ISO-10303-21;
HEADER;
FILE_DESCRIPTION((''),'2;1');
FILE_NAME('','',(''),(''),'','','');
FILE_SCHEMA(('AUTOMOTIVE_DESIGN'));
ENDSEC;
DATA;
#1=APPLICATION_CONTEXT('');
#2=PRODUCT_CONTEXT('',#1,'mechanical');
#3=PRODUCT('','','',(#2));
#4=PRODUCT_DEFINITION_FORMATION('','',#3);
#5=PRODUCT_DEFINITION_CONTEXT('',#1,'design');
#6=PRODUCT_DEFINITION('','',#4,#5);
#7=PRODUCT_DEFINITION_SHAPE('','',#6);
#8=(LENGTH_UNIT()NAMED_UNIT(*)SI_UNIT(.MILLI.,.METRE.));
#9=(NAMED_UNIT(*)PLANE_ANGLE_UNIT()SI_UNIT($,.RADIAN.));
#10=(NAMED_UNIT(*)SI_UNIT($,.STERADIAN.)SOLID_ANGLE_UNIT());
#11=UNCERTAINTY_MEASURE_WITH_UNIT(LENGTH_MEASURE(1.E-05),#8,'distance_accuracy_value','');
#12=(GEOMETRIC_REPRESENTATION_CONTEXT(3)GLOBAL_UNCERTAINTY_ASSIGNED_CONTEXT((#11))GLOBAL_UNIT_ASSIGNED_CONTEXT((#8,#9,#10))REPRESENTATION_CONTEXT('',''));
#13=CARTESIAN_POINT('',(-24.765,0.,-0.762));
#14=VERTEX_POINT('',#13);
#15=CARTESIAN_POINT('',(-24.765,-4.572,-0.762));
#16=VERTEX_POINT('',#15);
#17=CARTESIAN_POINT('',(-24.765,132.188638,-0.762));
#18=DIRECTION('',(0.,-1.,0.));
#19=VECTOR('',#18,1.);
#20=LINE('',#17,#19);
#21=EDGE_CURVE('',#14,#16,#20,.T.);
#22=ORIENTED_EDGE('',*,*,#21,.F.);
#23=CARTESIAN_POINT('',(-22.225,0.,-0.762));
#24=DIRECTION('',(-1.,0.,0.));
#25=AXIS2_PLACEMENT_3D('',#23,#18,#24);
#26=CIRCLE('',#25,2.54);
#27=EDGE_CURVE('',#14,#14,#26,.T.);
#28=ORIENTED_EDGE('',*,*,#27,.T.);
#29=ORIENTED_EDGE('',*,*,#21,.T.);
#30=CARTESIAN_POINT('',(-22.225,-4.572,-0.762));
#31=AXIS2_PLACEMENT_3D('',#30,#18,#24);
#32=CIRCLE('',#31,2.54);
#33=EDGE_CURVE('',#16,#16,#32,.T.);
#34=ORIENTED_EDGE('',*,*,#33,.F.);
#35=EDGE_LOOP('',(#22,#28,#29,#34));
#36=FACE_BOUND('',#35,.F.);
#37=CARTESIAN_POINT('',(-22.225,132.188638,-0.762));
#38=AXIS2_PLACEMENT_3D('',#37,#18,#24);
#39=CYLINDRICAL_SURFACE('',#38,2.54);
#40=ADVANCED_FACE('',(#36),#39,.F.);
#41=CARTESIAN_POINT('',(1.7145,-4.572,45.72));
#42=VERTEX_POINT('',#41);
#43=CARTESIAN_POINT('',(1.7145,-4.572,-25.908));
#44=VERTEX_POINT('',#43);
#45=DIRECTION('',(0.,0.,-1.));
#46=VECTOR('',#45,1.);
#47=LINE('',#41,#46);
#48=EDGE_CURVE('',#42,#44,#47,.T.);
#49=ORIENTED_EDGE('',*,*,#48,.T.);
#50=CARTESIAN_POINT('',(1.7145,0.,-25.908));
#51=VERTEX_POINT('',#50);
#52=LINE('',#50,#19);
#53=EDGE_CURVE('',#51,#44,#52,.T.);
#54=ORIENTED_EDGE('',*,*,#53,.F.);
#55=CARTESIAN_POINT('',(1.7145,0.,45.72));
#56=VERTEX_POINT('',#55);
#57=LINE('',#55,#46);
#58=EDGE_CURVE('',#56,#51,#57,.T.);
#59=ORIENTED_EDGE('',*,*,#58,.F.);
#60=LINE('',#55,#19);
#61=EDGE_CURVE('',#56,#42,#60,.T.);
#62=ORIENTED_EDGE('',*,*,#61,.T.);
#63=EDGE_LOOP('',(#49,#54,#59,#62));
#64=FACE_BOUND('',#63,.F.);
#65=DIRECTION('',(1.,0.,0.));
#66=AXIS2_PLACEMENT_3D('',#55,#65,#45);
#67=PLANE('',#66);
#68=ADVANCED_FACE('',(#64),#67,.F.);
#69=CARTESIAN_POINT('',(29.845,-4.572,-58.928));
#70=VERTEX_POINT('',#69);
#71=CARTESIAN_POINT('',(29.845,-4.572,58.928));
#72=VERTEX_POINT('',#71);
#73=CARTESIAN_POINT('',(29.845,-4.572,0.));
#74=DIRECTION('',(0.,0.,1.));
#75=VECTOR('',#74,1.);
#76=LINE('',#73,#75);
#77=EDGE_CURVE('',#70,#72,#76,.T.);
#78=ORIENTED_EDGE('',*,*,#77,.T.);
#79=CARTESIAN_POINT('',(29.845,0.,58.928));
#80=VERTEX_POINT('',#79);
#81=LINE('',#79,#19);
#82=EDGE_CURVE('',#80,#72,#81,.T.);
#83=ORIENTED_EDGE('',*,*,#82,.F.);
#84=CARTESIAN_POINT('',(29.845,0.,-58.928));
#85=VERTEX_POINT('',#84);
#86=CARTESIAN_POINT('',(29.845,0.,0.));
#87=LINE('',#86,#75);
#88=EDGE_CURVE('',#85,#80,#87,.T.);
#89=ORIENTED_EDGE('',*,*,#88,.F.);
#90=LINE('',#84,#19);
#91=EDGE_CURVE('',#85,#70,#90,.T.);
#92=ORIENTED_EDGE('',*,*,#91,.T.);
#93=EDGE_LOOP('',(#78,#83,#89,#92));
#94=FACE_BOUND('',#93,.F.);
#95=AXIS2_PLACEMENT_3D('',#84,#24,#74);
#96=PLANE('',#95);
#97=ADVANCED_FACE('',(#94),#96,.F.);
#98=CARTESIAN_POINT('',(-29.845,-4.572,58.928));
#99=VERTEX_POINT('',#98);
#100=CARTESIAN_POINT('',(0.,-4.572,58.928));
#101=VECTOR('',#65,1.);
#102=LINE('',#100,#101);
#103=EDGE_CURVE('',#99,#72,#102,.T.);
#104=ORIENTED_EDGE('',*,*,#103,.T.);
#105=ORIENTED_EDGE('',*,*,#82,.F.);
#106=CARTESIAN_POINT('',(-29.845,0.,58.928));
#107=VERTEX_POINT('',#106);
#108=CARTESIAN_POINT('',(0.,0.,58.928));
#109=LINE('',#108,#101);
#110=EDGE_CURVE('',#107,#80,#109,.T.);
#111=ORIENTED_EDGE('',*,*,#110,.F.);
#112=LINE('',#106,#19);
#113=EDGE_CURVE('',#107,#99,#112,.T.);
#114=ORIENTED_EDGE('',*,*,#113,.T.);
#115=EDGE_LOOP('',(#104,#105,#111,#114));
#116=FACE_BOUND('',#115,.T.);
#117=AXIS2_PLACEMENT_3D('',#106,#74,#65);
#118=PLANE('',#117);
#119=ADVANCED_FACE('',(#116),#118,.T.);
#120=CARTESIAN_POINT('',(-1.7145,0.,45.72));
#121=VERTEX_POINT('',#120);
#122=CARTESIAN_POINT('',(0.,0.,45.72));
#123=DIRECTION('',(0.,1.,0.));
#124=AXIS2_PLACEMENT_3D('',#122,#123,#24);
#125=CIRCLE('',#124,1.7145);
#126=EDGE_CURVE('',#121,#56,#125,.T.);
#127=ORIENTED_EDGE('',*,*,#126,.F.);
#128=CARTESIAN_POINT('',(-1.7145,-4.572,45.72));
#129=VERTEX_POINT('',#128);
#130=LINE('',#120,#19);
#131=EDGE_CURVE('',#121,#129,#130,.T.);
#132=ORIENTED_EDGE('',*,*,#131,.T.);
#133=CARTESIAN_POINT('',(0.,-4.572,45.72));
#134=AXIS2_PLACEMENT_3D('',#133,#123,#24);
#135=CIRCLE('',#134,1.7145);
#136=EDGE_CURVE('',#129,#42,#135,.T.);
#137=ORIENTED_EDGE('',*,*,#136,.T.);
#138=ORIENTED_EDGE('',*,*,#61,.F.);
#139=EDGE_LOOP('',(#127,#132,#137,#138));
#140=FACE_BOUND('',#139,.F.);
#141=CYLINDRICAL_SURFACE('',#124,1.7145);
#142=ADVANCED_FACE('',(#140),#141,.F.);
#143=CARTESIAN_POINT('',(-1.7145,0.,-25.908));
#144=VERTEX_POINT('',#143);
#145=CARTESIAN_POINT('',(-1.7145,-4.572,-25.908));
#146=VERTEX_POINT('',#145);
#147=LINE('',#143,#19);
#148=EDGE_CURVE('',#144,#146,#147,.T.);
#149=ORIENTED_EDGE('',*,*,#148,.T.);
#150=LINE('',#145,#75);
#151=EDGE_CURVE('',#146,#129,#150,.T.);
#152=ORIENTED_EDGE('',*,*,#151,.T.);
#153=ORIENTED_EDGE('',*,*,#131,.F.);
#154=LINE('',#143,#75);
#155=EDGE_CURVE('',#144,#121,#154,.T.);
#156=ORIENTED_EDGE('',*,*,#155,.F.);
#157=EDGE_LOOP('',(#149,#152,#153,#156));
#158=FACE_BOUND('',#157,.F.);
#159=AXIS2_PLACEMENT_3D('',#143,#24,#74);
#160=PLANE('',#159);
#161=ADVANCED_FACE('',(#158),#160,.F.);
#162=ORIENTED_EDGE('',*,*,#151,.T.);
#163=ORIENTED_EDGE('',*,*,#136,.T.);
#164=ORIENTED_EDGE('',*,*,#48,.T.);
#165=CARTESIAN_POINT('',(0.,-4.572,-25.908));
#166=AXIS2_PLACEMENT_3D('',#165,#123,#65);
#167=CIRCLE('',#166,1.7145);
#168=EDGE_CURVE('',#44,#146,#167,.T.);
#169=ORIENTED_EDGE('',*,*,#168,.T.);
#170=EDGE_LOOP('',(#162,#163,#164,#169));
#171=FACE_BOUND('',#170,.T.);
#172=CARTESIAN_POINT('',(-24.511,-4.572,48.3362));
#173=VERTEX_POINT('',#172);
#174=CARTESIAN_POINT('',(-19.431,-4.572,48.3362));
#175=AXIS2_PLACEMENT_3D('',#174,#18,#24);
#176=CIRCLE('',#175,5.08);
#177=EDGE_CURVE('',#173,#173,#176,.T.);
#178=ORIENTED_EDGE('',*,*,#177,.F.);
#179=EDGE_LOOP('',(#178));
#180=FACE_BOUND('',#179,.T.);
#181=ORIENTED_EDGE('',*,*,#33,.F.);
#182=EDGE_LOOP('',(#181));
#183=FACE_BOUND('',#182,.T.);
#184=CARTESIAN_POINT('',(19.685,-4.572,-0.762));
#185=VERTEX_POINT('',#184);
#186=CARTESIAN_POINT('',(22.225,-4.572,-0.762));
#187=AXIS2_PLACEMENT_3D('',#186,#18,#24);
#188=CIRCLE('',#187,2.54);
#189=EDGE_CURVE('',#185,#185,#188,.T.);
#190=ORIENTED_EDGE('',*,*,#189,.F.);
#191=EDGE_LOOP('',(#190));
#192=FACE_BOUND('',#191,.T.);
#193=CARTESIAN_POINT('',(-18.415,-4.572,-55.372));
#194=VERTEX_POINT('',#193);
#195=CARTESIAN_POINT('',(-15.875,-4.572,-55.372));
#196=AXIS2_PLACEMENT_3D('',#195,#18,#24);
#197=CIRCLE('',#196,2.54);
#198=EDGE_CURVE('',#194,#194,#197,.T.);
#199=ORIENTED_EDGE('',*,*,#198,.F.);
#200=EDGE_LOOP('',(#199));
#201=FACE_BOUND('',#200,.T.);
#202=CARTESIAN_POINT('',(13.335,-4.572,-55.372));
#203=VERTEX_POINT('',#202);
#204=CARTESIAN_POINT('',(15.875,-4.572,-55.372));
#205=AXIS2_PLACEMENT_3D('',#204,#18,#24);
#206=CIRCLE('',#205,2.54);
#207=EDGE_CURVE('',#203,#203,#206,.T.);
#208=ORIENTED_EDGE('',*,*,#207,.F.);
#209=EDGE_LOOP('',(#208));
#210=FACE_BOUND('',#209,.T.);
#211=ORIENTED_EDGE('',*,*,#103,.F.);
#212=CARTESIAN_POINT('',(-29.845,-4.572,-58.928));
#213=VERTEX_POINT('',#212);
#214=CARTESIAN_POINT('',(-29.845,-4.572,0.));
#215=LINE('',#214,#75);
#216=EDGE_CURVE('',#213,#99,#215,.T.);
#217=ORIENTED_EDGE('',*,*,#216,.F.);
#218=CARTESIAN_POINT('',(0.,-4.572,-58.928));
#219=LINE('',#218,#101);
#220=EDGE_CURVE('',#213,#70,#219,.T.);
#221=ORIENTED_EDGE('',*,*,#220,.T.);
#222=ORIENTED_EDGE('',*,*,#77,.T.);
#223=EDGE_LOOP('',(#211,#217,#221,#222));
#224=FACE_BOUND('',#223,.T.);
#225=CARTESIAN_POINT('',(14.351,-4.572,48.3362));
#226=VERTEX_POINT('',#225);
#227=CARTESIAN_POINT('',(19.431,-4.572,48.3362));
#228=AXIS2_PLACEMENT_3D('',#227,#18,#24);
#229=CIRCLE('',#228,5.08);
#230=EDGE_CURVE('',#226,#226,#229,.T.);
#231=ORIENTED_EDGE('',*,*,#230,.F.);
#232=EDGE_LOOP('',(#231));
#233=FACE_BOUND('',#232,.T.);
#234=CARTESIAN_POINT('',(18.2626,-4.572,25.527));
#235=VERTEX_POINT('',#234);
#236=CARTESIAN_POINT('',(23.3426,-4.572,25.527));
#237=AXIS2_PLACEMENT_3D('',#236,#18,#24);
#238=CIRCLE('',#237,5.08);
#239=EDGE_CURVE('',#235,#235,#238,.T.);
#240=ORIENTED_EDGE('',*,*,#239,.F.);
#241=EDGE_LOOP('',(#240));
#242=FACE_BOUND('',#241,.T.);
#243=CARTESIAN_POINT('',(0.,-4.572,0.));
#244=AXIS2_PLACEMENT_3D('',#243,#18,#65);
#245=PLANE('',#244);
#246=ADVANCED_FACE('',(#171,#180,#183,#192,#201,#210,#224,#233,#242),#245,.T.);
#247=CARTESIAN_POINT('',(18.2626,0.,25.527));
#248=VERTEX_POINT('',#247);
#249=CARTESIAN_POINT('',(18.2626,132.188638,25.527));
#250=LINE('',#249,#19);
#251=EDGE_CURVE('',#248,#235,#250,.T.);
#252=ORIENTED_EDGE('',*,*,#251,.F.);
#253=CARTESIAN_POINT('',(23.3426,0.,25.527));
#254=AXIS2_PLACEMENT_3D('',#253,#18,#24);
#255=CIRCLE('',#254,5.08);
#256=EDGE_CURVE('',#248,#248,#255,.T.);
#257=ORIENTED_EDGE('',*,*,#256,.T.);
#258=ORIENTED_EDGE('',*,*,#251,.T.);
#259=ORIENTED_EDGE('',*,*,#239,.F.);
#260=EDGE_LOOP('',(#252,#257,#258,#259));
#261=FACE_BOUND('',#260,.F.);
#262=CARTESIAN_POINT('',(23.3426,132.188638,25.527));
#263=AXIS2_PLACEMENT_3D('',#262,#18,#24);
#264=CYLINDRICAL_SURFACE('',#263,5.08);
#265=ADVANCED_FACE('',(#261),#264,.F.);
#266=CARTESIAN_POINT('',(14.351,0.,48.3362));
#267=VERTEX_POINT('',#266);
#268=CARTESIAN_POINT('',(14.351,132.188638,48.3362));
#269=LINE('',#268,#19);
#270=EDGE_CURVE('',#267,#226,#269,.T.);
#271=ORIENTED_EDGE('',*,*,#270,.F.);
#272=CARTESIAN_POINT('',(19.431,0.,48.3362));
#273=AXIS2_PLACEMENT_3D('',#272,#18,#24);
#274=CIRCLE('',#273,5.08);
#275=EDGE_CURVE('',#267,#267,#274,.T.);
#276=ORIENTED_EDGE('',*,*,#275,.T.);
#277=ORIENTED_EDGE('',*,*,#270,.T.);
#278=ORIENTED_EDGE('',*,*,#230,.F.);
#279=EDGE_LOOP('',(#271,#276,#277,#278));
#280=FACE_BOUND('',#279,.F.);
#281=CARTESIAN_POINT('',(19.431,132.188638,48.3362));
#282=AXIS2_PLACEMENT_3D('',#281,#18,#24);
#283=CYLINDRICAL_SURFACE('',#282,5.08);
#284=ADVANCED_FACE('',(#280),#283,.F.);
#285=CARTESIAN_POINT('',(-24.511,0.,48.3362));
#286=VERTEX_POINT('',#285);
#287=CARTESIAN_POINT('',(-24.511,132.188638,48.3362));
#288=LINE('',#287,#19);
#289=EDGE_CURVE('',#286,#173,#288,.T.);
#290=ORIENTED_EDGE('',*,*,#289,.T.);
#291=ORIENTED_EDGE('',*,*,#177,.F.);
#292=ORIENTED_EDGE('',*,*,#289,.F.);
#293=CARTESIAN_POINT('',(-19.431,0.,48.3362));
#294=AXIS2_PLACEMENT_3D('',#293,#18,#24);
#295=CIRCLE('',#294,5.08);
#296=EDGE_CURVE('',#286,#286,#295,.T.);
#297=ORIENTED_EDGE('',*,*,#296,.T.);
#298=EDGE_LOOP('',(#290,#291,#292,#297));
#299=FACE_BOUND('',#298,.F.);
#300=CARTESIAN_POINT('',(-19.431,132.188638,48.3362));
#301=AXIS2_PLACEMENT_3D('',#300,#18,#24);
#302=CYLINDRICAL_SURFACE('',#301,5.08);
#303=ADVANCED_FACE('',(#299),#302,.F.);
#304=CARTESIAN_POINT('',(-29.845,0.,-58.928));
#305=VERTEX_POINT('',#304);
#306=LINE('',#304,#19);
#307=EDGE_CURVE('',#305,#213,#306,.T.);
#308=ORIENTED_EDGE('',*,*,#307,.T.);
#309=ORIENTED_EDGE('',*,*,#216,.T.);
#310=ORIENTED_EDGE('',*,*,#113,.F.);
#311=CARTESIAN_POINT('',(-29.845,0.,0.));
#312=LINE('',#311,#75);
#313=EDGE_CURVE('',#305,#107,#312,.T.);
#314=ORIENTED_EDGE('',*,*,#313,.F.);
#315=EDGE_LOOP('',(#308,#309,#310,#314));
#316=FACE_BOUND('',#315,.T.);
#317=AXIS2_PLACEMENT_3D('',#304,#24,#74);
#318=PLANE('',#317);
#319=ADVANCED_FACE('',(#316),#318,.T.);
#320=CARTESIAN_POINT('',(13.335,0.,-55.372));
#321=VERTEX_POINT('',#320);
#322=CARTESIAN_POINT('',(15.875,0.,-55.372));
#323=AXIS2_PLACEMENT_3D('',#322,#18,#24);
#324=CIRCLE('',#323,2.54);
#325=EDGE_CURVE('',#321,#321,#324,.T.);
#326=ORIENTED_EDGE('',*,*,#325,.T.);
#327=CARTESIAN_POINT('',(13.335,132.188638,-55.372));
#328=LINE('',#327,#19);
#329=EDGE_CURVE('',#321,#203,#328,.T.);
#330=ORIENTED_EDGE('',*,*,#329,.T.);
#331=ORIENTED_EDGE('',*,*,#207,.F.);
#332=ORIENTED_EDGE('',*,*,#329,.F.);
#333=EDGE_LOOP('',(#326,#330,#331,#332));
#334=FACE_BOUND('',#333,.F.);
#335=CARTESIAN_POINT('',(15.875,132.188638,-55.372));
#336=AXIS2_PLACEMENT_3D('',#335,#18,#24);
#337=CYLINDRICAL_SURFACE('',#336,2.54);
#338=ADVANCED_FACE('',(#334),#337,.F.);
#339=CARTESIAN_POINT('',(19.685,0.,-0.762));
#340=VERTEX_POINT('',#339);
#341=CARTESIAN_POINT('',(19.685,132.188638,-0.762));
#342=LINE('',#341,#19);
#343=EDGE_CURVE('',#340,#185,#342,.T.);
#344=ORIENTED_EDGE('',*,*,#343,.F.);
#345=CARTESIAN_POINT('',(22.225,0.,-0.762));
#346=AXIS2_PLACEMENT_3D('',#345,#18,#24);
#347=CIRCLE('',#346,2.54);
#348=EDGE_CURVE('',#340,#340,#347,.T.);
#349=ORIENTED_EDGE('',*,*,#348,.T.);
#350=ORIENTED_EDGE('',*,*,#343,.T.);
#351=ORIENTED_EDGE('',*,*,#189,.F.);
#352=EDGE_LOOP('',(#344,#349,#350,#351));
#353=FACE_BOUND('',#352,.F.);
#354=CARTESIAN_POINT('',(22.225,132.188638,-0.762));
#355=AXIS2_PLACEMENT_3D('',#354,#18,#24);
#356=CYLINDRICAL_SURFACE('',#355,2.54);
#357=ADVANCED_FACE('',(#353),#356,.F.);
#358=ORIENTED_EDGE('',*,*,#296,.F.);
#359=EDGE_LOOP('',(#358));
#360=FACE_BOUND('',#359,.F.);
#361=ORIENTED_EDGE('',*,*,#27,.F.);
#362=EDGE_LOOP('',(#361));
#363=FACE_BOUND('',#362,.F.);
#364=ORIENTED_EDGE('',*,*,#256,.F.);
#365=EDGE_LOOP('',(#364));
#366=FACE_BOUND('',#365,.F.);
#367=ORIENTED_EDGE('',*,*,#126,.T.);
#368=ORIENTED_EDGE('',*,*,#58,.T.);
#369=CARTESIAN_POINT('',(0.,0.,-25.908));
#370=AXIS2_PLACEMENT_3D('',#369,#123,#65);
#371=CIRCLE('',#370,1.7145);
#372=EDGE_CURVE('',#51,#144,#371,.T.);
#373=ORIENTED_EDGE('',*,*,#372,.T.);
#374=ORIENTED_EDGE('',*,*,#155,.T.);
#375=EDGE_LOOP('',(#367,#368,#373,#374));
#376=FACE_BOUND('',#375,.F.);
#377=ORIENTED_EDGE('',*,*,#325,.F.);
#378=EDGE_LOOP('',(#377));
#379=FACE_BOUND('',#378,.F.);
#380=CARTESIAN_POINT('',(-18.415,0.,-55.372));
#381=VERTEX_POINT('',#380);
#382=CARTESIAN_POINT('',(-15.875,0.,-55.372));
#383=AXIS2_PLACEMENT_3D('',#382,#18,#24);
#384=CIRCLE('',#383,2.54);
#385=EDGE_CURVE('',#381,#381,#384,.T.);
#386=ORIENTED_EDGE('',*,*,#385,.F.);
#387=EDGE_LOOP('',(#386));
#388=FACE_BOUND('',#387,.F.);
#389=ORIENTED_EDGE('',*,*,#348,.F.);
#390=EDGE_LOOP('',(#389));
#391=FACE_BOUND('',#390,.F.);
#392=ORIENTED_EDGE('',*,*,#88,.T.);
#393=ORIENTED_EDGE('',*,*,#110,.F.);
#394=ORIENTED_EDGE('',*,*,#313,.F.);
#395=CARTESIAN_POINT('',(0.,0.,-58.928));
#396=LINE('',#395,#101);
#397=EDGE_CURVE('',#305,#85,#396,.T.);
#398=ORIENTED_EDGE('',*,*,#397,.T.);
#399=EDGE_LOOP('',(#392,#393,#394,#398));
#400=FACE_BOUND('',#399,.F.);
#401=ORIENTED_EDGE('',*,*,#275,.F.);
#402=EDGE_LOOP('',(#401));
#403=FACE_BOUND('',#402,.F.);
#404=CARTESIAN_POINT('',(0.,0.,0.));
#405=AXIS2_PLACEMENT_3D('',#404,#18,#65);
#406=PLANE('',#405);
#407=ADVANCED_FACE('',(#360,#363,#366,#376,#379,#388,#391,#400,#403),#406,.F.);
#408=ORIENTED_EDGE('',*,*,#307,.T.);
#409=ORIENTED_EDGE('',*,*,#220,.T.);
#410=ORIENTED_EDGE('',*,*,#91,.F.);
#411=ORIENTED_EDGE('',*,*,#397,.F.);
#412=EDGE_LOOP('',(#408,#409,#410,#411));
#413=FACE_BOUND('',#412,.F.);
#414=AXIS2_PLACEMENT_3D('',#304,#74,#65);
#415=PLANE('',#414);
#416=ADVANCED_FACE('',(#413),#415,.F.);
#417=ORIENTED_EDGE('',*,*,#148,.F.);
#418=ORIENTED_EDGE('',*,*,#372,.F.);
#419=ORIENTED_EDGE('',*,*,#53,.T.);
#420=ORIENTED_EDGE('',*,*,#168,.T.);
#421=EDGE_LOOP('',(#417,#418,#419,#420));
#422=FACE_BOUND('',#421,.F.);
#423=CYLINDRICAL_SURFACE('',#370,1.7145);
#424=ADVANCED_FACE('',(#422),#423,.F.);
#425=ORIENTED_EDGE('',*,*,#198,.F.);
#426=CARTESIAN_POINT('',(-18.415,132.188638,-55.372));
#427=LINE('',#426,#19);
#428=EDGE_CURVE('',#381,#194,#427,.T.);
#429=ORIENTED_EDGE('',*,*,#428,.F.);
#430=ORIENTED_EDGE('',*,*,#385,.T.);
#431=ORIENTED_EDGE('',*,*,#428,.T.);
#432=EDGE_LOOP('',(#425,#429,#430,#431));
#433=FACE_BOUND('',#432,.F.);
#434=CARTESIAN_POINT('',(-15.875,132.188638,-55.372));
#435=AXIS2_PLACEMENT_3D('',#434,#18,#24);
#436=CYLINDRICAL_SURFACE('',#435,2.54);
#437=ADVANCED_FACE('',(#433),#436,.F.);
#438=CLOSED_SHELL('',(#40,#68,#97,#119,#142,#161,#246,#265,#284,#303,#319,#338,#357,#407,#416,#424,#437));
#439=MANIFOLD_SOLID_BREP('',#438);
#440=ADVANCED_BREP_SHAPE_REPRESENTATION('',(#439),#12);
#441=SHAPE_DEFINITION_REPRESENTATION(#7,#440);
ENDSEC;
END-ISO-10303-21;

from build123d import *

# Parameters (mm, degrees)
F0_W     = 59.69
F0_H     = 117.856
F1_DEPTH = 4.572
F2_D     = 10.16
F3_D     = 5.08


with BuildPart() as f1:
    # F0 (on Front) → F1 (new body)
    with BuildSketch(Plane.XZ):
        Rectangle(F0_W, F0_H)
        with BuildLine():
            ThreePointArc((-1.7145, 45.72), (0, 47.4345), (1.7145, 45.72))
            Line((1.7145, 45.72), (1.7145, -25.908))
            ThreePointArc((1.7145, -25.908), (0, -27.6225), (-1.7145, -25.908))
            Line((-1.7145, -25.908), (-1.7145, 45.72))
        make_face(mode=Mode.SUBTRACT)
    extrude(amount=F1_DEPTH)

    # F2 (through all)
    with Locations(Plane(origin=(0, 0, 0), x_dir=(1, 0, 0), z_dir=(0, 1, 0))):
        with Locations((-19.431, -48.3362), (19.431, -48.3362), (23.3426, -25.527)):
            Hole(F2_D / 2)

    # F3 (through all)
    with Locations(Plane(origin=(0, 0, 0), x_dir=(1, 0, 0), z_dir=(0, 1, 0))):
        with Locations((-22.225, 0.762), (22.225, 0.762), (-15.875, 55.372), (15.875, 55.372)):
            Hole(F3_D / 2)


solid = f1.part
